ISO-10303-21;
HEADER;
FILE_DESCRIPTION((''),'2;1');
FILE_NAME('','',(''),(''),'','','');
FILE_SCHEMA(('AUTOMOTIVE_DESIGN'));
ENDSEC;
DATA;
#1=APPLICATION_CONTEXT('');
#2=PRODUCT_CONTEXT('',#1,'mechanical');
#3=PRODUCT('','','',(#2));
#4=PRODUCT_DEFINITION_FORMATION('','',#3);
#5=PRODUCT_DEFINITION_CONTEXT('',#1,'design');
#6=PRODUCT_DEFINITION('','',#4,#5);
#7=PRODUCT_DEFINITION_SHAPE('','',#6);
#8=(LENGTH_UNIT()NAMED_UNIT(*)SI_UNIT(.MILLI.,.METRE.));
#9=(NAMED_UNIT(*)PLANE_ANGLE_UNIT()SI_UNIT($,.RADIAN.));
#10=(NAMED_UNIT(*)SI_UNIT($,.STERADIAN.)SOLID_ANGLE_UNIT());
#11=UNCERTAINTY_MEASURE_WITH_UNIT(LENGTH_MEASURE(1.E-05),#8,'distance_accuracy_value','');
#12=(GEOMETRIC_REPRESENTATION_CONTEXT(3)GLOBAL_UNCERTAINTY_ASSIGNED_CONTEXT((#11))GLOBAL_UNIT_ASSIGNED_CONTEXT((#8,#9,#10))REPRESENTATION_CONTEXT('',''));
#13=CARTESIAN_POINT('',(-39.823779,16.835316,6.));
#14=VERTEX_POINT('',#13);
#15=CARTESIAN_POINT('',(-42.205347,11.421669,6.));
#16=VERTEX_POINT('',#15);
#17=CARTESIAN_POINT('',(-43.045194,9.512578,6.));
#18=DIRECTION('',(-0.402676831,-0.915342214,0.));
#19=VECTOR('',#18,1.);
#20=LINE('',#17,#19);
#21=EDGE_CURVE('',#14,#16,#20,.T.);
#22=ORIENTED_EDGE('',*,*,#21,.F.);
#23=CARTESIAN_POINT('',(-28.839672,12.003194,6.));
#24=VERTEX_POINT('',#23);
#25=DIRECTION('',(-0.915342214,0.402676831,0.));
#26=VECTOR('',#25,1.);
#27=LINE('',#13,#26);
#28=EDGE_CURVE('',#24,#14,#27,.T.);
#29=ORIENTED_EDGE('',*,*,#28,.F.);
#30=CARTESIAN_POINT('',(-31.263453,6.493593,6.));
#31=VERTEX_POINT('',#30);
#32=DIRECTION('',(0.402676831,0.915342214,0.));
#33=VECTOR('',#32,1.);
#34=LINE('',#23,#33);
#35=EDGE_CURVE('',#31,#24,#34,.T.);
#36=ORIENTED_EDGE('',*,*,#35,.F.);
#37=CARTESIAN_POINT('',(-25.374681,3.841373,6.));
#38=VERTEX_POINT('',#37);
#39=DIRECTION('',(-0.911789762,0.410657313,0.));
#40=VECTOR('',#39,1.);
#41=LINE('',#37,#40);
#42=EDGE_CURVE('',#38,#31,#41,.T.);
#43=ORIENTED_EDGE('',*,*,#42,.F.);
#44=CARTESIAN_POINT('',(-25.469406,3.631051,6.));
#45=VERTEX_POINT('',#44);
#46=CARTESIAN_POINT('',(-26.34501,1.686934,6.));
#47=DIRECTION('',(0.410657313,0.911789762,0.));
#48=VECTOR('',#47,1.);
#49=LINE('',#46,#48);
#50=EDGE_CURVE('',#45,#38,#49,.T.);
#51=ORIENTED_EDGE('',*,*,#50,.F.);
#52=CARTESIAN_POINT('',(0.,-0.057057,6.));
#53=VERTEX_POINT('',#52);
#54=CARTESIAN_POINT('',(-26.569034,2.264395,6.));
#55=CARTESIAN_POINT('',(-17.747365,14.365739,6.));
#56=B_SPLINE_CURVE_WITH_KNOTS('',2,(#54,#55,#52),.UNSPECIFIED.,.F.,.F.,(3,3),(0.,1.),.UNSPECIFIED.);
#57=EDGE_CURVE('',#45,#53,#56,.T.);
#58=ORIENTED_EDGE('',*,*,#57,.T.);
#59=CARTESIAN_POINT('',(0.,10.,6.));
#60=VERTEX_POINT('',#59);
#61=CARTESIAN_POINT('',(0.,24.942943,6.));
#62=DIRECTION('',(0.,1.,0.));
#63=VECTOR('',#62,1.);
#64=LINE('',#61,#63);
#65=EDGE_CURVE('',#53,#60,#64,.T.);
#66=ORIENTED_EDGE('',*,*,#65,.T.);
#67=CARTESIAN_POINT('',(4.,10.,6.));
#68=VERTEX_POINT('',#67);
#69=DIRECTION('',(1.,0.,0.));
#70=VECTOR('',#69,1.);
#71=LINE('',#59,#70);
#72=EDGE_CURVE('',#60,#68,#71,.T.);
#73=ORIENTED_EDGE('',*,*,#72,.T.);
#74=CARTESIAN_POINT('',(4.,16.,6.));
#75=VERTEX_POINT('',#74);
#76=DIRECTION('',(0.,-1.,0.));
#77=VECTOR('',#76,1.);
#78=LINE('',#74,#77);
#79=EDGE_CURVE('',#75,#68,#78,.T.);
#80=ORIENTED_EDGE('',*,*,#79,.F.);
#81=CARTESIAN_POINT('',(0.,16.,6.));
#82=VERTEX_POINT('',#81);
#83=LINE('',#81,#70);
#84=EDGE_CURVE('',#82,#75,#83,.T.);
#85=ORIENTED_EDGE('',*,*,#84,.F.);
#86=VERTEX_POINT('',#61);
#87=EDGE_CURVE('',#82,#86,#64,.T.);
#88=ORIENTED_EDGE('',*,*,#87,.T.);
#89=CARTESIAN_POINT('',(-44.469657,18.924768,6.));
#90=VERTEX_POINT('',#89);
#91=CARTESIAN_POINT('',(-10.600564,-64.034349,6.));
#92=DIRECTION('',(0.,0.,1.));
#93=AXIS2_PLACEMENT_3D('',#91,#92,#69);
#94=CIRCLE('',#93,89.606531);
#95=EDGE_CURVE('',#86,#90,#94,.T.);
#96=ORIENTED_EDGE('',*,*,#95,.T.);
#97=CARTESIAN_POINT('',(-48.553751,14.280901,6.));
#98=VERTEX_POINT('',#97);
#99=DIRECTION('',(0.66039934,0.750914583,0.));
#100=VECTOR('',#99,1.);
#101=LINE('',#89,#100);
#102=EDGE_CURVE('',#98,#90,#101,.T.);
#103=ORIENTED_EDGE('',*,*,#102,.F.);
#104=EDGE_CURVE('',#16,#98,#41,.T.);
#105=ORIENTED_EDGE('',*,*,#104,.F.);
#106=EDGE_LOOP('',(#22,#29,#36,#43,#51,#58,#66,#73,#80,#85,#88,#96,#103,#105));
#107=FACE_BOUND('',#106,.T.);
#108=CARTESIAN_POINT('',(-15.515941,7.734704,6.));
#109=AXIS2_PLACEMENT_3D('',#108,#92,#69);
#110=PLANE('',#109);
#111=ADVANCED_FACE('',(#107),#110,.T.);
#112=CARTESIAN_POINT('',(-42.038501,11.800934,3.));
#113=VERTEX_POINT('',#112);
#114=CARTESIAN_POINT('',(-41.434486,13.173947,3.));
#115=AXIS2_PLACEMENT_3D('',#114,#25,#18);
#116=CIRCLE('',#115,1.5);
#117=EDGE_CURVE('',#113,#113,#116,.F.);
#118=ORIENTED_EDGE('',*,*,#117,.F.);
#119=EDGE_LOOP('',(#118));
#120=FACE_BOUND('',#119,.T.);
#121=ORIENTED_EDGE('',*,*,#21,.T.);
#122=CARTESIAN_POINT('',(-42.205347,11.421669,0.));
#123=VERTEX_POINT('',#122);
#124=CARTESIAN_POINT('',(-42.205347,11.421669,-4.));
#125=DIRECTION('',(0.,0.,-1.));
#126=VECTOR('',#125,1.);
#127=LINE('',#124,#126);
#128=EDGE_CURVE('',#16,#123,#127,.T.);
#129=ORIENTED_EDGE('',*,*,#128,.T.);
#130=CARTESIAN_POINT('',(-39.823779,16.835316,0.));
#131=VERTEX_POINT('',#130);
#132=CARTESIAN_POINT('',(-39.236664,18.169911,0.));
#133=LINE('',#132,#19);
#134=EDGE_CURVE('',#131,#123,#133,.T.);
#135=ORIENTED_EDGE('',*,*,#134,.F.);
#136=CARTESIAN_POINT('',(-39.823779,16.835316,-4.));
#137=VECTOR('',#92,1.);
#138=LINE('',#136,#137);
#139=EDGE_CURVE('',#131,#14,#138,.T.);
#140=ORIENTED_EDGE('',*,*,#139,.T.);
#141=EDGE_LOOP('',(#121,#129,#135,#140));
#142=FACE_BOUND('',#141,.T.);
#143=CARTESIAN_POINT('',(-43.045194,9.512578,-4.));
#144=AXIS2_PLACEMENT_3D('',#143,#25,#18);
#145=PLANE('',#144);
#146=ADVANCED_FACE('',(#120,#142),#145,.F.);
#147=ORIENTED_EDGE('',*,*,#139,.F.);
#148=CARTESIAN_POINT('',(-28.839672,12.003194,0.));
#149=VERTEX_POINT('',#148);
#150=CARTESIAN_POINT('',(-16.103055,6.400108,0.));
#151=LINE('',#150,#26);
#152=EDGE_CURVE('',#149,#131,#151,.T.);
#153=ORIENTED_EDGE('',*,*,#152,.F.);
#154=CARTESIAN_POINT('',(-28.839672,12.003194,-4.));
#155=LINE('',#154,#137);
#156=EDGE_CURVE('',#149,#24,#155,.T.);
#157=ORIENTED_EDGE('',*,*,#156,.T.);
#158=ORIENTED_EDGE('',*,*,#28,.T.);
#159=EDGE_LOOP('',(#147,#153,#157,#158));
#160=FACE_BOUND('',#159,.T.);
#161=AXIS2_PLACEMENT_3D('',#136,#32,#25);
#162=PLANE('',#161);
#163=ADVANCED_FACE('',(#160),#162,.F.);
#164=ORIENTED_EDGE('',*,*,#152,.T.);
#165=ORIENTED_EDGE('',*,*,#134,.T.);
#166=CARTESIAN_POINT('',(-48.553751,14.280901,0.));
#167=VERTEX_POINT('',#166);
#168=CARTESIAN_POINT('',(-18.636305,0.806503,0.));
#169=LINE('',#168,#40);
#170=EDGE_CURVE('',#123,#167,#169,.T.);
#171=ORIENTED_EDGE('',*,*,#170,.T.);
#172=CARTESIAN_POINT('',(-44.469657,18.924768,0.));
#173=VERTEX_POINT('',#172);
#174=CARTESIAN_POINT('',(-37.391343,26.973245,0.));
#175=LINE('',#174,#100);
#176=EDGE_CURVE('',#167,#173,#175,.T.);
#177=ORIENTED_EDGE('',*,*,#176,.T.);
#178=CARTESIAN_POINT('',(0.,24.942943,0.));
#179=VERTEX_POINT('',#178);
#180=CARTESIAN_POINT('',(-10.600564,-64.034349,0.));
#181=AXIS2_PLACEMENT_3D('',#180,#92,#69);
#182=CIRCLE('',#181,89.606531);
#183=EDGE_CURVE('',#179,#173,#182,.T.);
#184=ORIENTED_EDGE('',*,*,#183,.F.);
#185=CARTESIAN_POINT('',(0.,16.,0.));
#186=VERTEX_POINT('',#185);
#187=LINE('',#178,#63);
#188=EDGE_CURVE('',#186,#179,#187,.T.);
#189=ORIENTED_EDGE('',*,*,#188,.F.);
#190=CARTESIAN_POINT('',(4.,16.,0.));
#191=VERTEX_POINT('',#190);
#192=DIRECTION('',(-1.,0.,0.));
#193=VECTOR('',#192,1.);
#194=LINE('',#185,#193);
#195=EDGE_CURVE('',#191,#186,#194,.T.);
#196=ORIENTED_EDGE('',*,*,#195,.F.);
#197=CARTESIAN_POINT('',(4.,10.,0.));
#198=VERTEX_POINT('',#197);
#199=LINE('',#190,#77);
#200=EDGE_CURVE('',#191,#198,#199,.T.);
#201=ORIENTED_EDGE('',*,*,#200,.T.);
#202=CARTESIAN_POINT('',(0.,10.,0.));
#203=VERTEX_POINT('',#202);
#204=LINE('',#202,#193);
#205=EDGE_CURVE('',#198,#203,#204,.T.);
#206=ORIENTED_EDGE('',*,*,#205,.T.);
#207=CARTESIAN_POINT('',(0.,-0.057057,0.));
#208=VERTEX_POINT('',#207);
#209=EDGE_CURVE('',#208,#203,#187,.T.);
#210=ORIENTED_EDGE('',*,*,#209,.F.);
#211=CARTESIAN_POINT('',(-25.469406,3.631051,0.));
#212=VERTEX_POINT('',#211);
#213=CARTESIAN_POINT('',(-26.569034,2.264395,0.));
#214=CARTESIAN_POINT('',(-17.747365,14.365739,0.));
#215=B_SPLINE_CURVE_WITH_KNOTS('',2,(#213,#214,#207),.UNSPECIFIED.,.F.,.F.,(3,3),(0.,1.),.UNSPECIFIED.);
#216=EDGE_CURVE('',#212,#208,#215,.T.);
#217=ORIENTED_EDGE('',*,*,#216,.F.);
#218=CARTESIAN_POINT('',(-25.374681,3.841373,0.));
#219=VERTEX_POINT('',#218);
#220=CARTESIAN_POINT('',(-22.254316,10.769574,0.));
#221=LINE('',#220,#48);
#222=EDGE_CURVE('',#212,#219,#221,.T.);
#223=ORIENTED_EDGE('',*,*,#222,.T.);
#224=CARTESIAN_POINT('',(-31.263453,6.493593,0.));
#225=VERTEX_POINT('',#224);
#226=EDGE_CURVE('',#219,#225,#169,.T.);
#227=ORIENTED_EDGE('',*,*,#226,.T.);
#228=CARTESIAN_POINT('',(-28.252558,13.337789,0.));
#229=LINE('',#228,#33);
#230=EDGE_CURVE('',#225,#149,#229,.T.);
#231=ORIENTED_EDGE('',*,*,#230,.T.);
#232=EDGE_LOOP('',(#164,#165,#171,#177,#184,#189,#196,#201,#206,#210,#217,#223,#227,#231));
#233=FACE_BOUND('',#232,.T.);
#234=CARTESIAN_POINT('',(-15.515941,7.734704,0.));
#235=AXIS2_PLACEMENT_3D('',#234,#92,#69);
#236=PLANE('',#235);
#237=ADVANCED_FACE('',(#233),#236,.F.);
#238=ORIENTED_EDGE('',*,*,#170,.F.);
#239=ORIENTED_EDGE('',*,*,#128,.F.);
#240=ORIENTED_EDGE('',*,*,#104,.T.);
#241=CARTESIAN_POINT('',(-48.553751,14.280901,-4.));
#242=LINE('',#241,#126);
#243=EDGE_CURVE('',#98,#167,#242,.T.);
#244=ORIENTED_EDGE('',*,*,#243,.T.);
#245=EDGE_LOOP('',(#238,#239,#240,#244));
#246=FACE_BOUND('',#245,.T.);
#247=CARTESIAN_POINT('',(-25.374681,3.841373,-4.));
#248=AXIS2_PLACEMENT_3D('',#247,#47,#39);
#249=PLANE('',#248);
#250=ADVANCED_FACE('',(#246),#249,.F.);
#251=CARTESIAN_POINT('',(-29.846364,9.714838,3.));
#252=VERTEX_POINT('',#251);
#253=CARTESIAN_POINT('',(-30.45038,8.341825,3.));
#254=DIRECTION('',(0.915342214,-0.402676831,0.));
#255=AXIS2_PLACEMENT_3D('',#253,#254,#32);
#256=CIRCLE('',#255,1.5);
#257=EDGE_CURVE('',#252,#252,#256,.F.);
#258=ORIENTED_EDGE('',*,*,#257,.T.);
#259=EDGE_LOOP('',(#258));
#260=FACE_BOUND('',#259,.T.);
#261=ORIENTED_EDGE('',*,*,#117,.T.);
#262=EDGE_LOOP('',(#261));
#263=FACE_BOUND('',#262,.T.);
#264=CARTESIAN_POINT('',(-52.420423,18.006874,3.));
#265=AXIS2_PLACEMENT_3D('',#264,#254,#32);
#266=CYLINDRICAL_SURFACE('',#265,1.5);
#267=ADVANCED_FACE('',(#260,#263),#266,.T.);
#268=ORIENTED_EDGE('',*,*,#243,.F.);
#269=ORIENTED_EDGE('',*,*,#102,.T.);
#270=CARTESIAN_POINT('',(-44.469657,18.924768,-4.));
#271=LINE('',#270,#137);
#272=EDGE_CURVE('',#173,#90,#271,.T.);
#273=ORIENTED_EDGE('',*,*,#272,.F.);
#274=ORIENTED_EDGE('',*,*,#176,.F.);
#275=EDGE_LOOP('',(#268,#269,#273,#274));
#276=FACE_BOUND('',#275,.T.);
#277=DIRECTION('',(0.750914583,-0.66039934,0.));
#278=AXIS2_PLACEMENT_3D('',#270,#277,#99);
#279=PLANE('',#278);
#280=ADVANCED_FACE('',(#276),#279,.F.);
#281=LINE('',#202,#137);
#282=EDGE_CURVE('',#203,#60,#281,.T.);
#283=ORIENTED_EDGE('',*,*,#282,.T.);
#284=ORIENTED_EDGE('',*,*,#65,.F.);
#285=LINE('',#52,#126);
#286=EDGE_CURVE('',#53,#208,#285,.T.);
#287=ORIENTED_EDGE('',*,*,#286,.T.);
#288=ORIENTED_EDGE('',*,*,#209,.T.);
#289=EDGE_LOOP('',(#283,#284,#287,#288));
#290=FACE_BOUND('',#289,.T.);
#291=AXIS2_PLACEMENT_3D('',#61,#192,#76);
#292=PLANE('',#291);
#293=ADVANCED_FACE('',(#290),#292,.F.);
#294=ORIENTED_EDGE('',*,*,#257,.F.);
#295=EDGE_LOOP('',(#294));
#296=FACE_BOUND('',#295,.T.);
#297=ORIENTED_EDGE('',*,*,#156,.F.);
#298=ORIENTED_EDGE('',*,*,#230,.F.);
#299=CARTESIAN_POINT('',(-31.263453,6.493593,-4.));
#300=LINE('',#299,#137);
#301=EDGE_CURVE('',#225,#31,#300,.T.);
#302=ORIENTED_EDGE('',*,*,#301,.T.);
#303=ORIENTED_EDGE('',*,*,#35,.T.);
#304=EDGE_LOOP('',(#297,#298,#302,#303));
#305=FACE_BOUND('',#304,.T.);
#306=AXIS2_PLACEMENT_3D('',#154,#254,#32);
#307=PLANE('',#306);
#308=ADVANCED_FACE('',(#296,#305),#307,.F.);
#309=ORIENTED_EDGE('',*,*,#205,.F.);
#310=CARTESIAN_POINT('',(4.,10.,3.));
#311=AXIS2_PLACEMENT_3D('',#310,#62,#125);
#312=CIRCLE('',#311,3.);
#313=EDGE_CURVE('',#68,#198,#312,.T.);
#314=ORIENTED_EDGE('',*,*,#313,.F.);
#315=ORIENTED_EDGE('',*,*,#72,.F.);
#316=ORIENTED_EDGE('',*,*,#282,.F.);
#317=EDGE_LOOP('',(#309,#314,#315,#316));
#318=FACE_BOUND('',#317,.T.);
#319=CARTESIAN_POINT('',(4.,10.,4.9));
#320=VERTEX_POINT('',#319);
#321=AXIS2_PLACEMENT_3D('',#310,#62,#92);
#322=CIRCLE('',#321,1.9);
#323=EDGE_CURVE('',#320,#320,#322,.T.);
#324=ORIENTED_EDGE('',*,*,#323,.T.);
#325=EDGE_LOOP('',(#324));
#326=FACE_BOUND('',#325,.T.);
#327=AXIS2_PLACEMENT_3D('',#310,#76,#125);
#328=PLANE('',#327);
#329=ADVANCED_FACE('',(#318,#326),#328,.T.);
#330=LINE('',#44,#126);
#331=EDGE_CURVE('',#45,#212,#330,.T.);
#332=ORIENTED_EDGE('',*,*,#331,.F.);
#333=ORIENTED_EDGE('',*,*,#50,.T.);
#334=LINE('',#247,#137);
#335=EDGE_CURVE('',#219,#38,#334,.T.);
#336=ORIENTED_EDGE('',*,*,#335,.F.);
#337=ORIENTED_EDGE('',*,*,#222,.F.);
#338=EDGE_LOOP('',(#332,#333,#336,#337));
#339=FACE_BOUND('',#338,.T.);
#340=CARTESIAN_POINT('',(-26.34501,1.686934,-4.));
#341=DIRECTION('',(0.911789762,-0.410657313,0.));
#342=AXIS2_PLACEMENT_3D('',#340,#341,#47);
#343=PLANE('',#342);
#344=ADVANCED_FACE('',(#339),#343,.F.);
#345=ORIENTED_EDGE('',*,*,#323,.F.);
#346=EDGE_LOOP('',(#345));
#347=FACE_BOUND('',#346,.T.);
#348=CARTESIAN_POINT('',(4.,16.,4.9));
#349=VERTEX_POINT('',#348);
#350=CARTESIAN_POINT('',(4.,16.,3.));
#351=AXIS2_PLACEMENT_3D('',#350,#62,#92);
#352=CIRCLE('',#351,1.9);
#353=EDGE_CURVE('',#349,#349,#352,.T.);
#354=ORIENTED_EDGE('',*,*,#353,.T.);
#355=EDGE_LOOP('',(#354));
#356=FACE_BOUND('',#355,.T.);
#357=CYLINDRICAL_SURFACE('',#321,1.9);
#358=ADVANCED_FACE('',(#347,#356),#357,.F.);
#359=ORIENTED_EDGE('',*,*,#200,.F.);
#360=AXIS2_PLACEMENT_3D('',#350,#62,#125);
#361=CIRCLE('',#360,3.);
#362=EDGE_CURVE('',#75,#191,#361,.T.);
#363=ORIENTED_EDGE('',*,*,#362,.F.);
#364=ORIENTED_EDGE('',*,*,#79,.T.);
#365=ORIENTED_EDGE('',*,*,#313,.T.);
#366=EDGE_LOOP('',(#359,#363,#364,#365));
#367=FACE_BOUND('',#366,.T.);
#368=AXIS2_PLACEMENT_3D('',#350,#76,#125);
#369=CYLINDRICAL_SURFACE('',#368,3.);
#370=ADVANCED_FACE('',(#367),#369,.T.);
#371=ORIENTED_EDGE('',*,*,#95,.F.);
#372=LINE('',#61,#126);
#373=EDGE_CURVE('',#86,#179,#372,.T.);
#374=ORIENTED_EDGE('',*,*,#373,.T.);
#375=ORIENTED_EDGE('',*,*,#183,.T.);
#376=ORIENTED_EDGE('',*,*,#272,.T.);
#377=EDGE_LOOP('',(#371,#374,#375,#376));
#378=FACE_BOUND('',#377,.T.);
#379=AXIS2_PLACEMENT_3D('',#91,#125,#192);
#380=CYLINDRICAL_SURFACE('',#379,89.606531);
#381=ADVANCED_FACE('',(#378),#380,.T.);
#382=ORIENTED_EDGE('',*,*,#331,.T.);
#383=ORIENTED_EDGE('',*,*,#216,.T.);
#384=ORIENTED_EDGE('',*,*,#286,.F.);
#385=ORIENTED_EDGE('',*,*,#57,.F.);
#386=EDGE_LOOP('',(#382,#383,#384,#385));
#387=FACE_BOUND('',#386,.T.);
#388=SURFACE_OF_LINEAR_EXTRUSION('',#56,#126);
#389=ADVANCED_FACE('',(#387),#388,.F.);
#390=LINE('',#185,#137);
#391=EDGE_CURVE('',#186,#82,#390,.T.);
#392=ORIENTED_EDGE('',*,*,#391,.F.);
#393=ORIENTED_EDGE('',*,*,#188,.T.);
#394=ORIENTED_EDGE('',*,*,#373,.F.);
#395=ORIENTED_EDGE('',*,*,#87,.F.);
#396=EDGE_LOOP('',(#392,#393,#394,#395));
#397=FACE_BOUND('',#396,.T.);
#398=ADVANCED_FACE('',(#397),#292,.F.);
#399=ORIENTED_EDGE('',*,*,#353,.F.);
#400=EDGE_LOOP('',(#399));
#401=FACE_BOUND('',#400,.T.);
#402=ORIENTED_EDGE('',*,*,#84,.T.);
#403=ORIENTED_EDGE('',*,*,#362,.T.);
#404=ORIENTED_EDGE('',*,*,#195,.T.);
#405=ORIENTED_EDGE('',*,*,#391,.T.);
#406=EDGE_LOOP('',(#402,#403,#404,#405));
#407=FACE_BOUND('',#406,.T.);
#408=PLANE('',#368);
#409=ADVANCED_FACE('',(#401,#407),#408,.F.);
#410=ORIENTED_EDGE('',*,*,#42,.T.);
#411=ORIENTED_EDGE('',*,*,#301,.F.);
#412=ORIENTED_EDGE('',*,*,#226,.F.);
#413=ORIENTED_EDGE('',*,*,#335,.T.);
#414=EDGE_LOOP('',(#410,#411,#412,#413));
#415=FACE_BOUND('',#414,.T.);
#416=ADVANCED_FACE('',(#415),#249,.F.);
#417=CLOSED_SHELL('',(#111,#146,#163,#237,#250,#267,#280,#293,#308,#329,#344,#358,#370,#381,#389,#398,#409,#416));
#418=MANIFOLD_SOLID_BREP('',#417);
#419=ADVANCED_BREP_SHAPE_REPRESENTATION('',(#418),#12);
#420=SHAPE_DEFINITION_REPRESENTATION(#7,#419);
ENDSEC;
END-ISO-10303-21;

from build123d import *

# Parameters (mm, degrees)
SALIENTE_EXTRUIR1_DEPTH = 6
CORTAR_EXTRUIR2_DEPTH   = 10
SALIENTE_EXTRUIR2_REACH = 33.971
CROQUIS3_R              = 1.5
SALIENTE_EXTRUIR3_START = 10
SALIENTE_EXTRUIR3_DEPTH = 6
CROQUIS5_R              = 1.9
CORTAR_EXTRUIR3_DEPTH   = 6
CORTAR_EXTRUIR4_DEPTH   = 10
CORTAR_EXTRUIR8_DEPTH   = 10


with BuildPart() as part:
    # Croquis1 → Saliente-Extruir1 (new body)
    with BuildSketch(Plane.XY):
        with BuildLine():
            Line((-26.569033706, 2.264395111), (-54.029300138, 14.344700052))
            ThreePointArc((-54.029300138, 14.344700052), (-27.848836662, 23.896462082), (0, 24.942942963))
            Line((0, 24.942942963), (0, -0.057057037))
            add(Edge.make_bspline(
                [(-26.569033706, 2.264395111), (-17.747364857, 14.365738672), (0, -0.057057037)],
                knots=[0, 0, 0, 1, 1, 1], degree=2))
        make_face()
    extrude(amount=SALIENTE_EXTRUIR1_DEPTH)

    # Croquis2 → Cortar-Extruir2 (cut)
    with BuildSketch(Plane.XY.offset(6)):
        Polygon((-43.045193565, 9.512578075), (-39.823778914, 16.835315791), (-28.839672341, 12.003193814), (-32.061086993, 4.680456099), align=None)
    extrude(amount=-CORTAR_EXTRUIR2_DEPTH, mode=Mode.SUBTRACT)

    # Croquis3 → Saliente-Extruir2 (add, up to next)
    with BuildSketch(Plane(origin=(-28.587581395, 12.576232705, 0), x_dir=(0, 0, 1), z_dir=(-0.915342214401337, 0.4026768313857366, 0)), mode=Mode.PRIVATE) as saliente_extruir2_sk1:
        with Locations(Location((3, -4.626037871, 0), (0, 0, 90))):
            Circle(CROQUIS3_R)
    saliente_extruir2_tool1 = extrude(saliente_extruir2_sk1.sketch, amount=SALIENTE_EXTRUIR2_REACH, mode=Mode.PRIVATE) - part.part
    add(saliente_extruir2_tool1.solids().sort_by_distance((-30.45038, 8.341825, 3))[0])

    # Croquis4 → Saliente-Extruir3 (add)
    with BuildSketch(Plane(origin=(0, 0, 0), x_dir=(1, 0, 0), z_dir=(0, 1, 0)).offset(SALIENTE_EXTRUIR3_START)):
        with BuildLine():
            Line((0, 0), (4, 0))
            ThreePointArc((4, 0), (7, -3), (4, -6))
            Line((4, -6), (0, -6))
            Line((0, -6), (0, 0))
        make_face()
    extrude(amount=SALIENTE_EXTRUIR3_DEPTH)

    # Croquis5 → Cortar-Extruir3 (cut)
    with BuildSketch(Plane(origin=(0, 16, 0), x_dir=(1, 0, 0), z_dir=(0, 1, 0))):
        with Locations(Location((4, -3, 0), (0, 0, 270))):
            Circle(CROQUIS5_R)
    extrude(amount=-CORTAR_EXTRUIR3_DEPTH, mode=Mode.SUBTRACT)

    # Croquis6 → Cortar-Extruir4 (cut)
    with BuildSketch(Plane.XY.offset(6)):
        Polygon((-54.217314507, 14.240228789), (-26.345009663, 1.686933832), (-25.374680505, 3.841372979), (-53.24698535, 16.394667936), align=None)
    extrude(amount=-CORTAR_EXTRUIR4_DEPTH, mode=Mode.SUBTRACT)

    # Croquis7 → Cortar-Extruir8 (cut)
    with BuildSketch(Plane.XY.offset(6)):
        with BuildLine():
            Line((-44.469656668, 18.924767513), (-48.553751341, 14.280901201))
            ThreePointArc((-48.553751341, 14.280901201), (-47.473480209, 17.448678059), (-44.469656668, 18.924767513))
        make_face()
    extrude(amount=-CORTAR_EXTRUIR8_DEPTH, mode=Mode.SUBTRACT)


with BuildPart() as body_2:
    # of the pieces the cut leaves, the one that is kept (cortar_extruir8_keep)
    add(part.part.solids().sort_by_distance((0, 24.942942963, 0))[0])


solid = body_2.part
